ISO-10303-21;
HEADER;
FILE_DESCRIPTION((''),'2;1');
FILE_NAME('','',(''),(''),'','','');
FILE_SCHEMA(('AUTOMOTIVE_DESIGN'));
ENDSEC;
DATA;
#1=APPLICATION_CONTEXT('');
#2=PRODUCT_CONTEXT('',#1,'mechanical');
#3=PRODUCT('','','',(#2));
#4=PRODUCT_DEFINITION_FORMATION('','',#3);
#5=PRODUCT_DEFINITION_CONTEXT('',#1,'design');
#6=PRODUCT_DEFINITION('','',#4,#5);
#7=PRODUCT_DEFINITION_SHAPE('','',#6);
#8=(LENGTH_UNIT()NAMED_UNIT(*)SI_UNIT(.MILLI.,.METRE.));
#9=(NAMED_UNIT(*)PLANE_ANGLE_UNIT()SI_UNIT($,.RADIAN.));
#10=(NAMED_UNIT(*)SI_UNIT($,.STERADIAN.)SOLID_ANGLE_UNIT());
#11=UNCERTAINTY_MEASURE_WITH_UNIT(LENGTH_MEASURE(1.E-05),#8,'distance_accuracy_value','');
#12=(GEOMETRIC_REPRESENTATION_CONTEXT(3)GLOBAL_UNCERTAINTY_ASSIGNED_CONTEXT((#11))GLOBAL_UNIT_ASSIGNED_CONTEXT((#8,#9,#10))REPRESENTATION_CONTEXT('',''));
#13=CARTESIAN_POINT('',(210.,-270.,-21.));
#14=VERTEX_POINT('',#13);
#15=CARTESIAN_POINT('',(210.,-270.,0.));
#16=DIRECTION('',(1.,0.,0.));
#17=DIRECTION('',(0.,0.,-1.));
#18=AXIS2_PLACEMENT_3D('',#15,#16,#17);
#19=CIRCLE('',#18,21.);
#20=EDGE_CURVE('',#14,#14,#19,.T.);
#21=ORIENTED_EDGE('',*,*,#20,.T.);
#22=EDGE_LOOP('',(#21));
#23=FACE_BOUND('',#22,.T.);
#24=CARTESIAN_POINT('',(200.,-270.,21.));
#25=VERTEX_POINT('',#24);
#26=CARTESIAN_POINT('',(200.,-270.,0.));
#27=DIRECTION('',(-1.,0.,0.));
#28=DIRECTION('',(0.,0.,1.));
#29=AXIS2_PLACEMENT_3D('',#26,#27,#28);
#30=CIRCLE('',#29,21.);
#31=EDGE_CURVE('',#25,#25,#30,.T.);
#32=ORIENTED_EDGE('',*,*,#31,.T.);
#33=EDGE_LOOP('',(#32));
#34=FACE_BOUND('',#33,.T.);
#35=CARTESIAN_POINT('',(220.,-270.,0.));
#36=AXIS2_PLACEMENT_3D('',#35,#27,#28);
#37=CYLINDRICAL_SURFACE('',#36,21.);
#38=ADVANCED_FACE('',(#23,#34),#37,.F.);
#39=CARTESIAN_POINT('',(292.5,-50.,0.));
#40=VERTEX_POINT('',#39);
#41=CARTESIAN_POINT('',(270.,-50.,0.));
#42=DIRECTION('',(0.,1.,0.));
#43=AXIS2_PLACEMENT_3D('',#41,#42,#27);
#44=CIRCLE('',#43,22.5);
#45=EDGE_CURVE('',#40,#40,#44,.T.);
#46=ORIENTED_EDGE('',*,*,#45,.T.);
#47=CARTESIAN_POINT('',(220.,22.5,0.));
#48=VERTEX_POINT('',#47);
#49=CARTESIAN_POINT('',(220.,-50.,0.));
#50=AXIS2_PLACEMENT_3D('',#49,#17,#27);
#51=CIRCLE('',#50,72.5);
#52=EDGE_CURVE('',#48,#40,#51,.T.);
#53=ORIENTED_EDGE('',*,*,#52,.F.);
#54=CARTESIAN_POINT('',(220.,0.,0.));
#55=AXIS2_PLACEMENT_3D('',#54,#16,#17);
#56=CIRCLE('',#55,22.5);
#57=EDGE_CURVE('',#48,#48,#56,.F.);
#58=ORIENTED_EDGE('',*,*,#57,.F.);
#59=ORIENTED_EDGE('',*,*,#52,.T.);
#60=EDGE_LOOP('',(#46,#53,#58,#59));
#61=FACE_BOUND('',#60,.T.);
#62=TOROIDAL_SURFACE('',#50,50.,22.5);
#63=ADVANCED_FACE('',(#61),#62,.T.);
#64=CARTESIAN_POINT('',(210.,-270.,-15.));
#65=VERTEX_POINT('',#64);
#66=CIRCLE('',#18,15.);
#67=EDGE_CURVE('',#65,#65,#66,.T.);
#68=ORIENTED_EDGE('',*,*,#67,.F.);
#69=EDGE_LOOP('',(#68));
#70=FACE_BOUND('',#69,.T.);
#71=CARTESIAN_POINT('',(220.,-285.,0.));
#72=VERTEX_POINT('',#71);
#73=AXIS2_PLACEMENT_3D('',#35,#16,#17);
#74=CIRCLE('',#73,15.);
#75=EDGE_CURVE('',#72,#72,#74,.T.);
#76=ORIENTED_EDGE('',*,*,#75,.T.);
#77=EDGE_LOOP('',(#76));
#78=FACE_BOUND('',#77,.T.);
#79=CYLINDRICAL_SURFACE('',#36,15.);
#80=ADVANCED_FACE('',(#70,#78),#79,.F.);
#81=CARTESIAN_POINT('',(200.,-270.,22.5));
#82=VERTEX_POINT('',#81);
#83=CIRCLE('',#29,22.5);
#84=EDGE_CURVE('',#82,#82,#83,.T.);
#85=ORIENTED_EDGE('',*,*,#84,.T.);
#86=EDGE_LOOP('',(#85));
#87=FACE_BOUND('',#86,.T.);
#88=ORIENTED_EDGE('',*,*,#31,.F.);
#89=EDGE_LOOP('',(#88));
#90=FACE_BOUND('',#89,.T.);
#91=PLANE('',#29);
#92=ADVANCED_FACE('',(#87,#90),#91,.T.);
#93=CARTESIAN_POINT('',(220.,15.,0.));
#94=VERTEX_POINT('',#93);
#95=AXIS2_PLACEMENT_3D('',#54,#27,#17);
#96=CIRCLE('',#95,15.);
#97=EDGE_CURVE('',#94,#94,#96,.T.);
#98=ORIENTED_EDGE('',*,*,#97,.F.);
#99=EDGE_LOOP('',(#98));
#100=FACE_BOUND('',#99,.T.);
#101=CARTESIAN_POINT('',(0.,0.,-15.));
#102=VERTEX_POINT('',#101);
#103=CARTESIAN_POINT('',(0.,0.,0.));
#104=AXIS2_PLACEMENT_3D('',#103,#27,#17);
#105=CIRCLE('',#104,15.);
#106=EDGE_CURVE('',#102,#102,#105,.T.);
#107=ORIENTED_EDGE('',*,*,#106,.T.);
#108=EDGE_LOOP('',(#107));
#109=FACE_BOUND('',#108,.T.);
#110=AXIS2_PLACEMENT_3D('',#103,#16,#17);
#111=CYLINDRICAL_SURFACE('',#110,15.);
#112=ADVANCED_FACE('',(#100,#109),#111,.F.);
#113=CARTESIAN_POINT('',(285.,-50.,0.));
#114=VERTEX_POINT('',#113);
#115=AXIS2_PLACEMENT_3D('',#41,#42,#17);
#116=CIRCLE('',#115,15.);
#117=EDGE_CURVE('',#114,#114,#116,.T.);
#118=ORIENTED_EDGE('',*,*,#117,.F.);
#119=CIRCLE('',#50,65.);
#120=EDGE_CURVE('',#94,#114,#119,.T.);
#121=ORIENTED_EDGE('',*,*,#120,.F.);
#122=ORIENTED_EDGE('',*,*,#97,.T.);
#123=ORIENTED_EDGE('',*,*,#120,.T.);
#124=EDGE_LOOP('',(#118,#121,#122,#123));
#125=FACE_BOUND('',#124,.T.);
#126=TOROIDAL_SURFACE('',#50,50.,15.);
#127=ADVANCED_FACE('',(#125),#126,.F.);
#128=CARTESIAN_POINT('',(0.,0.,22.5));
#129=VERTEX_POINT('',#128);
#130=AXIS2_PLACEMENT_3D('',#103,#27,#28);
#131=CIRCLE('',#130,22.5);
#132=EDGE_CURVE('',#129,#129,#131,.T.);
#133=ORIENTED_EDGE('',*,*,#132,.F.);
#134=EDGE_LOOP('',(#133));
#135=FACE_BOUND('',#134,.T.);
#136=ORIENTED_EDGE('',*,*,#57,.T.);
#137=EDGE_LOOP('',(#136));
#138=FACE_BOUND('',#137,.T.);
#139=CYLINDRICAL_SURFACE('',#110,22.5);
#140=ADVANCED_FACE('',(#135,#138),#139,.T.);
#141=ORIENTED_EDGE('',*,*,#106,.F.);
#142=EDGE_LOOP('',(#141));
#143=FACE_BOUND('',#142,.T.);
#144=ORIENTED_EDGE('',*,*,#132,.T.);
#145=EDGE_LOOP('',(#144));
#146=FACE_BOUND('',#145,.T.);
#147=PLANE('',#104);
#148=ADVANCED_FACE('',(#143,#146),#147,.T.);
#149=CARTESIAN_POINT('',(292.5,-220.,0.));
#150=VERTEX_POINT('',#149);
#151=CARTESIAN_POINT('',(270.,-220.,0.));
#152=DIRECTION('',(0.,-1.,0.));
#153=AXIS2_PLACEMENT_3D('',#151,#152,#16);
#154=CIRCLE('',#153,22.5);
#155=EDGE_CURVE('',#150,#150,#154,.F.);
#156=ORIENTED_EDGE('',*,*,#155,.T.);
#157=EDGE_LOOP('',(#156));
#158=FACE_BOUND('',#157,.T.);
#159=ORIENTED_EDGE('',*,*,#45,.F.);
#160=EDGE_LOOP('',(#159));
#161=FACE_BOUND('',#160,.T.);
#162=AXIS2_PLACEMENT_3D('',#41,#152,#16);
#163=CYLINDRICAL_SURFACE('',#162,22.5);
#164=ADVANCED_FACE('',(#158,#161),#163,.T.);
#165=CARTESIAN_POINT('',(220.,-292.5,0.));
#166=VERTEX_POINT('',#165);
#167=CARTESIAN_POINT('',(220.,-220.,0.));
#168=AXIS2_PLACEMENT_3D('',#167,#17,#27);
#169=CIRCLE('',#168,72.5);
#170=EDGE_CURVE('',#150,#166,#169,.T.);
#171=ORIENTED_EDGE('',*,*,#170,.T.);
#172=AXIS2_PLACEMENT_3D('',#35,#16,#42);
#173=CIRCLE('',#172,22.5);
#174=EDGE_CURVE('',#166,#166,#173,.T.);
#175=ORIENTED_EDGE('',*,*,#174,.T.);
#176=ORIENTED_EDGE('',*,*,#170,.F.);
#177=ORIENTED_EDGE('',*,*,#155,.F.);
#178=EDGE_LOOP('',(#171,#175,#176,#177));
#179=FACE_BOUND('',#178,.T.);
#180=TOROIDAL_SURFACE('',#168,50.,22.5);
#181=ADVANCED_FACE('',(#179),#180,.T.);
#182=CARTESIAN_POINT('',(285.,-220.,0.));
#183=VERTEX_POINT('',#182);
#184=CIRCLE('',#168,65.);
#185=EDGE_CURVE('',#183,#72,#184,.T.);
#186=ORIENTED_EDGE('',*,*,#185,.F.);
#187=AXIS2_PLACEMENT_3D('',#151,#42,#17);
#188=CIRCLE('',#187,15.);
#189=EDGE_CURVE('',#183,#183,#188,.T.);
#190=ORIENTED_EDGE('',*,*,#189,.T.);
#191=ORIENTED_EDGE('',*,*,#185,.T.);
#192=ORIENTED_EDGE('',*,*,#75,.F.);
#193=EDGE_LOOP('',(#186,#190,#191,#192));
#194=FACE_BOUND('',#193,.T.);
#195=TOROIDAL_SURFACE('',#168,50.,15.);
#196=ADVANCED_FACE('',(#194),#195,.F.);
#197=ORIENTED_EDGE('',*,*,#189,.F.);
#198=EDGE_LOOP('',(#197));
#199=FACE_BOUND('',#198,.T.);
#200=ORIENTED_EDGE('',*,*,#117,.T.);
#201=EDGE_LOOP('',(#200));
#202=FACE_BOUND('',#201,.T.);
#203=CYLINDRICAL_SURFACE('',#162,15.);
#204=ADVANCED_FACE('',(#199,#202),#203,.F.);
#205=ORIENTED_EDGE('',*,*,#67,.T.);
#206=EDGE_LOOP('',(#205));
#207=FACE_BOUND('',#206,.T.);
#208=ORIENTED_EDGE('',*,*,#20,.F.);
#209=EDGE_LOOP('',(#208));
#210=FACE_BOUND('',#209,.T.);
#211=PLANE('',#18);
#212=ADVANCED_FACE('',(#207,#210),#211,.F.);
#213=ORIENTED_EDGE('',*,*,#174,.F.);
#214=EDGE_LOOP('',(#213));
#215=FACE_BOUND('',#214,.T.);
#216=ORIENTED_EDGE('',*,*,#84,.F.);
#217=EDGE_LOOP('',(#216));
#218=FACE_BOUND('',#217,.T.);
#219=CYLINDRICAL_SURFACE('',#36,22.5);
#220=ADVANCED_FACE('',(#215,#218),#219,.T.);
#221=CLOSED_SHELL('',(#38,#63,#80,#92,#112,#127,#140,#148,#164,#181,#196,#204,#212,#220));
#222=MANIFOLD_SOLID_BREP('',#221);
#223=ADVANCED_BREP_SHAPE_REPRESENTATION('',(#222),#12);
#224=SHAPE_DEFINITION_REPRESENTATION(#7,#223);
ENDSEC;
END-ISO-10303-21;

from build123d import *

# Parameters (mm, degrees)
SWEEP_THIN1_PROFILE_R    = 22.5
SWEEP_THIN1_PROFILE_R_2  = 15
BOSS_EXTRUDE1_DEPTH      = 10
BOSS_EXTRUDE1_DEPTH_BACK = 10
SKETCH6_R                = 22.5
SKETCH6_R_2              = 21


with BuildPart() as part:
    # Sweep-Thin1: sweep along a path in Sketch1
    with BuildLine(Plane.XY) as sweep_thin1_path:
        Line((0, 0), (220, 0))
        ThreePointArc((220, 0), (255.355339059, -14.644660941), (270, -50))
        Line((270, -50), (270, -220))
        ThreePointArc((270, -220), (255.355339059, -255.355339059), (220, -270))
        Line((220, -270), (210, -270))
    # Sweep-Thin1 profile (on start of the path) → Sweep-Thin1 (sweep)
    with BuildSketch(Plane(origin=(0, 0, 0), x_dir=(0, 0, 1), z_dir=(1, 0, 0))):
        Circle(SWEEP_THIN1_PROFILE_R)
        Circle(SWEEP_THIN1_PROFILE_R_2, mode=Mode.SUBTRACT)
    sweep(path=sweep_thin1_path.line)

    # Sketch6 → Boss-Extrude1 (add, two sides: drawn at the far end of the back side and taken through both)
    with BuildSketch(Plane.ZY.offset(-210).offset(-BOSS_EXTRUDE1_DEPTH_BACK)):
        with Locations((0, -270)):
            Circle(SKETCH6_R)
        with Locations((0, -270)):
            Circle(SKETCH6_R_2, mode=Mode.SUBTRACT)
    extrude(amount=BOSS_EXTRUDE1_DEPTH + BOSS_EXTRUDE1_DEPTH_BACK)


solid = part.part
